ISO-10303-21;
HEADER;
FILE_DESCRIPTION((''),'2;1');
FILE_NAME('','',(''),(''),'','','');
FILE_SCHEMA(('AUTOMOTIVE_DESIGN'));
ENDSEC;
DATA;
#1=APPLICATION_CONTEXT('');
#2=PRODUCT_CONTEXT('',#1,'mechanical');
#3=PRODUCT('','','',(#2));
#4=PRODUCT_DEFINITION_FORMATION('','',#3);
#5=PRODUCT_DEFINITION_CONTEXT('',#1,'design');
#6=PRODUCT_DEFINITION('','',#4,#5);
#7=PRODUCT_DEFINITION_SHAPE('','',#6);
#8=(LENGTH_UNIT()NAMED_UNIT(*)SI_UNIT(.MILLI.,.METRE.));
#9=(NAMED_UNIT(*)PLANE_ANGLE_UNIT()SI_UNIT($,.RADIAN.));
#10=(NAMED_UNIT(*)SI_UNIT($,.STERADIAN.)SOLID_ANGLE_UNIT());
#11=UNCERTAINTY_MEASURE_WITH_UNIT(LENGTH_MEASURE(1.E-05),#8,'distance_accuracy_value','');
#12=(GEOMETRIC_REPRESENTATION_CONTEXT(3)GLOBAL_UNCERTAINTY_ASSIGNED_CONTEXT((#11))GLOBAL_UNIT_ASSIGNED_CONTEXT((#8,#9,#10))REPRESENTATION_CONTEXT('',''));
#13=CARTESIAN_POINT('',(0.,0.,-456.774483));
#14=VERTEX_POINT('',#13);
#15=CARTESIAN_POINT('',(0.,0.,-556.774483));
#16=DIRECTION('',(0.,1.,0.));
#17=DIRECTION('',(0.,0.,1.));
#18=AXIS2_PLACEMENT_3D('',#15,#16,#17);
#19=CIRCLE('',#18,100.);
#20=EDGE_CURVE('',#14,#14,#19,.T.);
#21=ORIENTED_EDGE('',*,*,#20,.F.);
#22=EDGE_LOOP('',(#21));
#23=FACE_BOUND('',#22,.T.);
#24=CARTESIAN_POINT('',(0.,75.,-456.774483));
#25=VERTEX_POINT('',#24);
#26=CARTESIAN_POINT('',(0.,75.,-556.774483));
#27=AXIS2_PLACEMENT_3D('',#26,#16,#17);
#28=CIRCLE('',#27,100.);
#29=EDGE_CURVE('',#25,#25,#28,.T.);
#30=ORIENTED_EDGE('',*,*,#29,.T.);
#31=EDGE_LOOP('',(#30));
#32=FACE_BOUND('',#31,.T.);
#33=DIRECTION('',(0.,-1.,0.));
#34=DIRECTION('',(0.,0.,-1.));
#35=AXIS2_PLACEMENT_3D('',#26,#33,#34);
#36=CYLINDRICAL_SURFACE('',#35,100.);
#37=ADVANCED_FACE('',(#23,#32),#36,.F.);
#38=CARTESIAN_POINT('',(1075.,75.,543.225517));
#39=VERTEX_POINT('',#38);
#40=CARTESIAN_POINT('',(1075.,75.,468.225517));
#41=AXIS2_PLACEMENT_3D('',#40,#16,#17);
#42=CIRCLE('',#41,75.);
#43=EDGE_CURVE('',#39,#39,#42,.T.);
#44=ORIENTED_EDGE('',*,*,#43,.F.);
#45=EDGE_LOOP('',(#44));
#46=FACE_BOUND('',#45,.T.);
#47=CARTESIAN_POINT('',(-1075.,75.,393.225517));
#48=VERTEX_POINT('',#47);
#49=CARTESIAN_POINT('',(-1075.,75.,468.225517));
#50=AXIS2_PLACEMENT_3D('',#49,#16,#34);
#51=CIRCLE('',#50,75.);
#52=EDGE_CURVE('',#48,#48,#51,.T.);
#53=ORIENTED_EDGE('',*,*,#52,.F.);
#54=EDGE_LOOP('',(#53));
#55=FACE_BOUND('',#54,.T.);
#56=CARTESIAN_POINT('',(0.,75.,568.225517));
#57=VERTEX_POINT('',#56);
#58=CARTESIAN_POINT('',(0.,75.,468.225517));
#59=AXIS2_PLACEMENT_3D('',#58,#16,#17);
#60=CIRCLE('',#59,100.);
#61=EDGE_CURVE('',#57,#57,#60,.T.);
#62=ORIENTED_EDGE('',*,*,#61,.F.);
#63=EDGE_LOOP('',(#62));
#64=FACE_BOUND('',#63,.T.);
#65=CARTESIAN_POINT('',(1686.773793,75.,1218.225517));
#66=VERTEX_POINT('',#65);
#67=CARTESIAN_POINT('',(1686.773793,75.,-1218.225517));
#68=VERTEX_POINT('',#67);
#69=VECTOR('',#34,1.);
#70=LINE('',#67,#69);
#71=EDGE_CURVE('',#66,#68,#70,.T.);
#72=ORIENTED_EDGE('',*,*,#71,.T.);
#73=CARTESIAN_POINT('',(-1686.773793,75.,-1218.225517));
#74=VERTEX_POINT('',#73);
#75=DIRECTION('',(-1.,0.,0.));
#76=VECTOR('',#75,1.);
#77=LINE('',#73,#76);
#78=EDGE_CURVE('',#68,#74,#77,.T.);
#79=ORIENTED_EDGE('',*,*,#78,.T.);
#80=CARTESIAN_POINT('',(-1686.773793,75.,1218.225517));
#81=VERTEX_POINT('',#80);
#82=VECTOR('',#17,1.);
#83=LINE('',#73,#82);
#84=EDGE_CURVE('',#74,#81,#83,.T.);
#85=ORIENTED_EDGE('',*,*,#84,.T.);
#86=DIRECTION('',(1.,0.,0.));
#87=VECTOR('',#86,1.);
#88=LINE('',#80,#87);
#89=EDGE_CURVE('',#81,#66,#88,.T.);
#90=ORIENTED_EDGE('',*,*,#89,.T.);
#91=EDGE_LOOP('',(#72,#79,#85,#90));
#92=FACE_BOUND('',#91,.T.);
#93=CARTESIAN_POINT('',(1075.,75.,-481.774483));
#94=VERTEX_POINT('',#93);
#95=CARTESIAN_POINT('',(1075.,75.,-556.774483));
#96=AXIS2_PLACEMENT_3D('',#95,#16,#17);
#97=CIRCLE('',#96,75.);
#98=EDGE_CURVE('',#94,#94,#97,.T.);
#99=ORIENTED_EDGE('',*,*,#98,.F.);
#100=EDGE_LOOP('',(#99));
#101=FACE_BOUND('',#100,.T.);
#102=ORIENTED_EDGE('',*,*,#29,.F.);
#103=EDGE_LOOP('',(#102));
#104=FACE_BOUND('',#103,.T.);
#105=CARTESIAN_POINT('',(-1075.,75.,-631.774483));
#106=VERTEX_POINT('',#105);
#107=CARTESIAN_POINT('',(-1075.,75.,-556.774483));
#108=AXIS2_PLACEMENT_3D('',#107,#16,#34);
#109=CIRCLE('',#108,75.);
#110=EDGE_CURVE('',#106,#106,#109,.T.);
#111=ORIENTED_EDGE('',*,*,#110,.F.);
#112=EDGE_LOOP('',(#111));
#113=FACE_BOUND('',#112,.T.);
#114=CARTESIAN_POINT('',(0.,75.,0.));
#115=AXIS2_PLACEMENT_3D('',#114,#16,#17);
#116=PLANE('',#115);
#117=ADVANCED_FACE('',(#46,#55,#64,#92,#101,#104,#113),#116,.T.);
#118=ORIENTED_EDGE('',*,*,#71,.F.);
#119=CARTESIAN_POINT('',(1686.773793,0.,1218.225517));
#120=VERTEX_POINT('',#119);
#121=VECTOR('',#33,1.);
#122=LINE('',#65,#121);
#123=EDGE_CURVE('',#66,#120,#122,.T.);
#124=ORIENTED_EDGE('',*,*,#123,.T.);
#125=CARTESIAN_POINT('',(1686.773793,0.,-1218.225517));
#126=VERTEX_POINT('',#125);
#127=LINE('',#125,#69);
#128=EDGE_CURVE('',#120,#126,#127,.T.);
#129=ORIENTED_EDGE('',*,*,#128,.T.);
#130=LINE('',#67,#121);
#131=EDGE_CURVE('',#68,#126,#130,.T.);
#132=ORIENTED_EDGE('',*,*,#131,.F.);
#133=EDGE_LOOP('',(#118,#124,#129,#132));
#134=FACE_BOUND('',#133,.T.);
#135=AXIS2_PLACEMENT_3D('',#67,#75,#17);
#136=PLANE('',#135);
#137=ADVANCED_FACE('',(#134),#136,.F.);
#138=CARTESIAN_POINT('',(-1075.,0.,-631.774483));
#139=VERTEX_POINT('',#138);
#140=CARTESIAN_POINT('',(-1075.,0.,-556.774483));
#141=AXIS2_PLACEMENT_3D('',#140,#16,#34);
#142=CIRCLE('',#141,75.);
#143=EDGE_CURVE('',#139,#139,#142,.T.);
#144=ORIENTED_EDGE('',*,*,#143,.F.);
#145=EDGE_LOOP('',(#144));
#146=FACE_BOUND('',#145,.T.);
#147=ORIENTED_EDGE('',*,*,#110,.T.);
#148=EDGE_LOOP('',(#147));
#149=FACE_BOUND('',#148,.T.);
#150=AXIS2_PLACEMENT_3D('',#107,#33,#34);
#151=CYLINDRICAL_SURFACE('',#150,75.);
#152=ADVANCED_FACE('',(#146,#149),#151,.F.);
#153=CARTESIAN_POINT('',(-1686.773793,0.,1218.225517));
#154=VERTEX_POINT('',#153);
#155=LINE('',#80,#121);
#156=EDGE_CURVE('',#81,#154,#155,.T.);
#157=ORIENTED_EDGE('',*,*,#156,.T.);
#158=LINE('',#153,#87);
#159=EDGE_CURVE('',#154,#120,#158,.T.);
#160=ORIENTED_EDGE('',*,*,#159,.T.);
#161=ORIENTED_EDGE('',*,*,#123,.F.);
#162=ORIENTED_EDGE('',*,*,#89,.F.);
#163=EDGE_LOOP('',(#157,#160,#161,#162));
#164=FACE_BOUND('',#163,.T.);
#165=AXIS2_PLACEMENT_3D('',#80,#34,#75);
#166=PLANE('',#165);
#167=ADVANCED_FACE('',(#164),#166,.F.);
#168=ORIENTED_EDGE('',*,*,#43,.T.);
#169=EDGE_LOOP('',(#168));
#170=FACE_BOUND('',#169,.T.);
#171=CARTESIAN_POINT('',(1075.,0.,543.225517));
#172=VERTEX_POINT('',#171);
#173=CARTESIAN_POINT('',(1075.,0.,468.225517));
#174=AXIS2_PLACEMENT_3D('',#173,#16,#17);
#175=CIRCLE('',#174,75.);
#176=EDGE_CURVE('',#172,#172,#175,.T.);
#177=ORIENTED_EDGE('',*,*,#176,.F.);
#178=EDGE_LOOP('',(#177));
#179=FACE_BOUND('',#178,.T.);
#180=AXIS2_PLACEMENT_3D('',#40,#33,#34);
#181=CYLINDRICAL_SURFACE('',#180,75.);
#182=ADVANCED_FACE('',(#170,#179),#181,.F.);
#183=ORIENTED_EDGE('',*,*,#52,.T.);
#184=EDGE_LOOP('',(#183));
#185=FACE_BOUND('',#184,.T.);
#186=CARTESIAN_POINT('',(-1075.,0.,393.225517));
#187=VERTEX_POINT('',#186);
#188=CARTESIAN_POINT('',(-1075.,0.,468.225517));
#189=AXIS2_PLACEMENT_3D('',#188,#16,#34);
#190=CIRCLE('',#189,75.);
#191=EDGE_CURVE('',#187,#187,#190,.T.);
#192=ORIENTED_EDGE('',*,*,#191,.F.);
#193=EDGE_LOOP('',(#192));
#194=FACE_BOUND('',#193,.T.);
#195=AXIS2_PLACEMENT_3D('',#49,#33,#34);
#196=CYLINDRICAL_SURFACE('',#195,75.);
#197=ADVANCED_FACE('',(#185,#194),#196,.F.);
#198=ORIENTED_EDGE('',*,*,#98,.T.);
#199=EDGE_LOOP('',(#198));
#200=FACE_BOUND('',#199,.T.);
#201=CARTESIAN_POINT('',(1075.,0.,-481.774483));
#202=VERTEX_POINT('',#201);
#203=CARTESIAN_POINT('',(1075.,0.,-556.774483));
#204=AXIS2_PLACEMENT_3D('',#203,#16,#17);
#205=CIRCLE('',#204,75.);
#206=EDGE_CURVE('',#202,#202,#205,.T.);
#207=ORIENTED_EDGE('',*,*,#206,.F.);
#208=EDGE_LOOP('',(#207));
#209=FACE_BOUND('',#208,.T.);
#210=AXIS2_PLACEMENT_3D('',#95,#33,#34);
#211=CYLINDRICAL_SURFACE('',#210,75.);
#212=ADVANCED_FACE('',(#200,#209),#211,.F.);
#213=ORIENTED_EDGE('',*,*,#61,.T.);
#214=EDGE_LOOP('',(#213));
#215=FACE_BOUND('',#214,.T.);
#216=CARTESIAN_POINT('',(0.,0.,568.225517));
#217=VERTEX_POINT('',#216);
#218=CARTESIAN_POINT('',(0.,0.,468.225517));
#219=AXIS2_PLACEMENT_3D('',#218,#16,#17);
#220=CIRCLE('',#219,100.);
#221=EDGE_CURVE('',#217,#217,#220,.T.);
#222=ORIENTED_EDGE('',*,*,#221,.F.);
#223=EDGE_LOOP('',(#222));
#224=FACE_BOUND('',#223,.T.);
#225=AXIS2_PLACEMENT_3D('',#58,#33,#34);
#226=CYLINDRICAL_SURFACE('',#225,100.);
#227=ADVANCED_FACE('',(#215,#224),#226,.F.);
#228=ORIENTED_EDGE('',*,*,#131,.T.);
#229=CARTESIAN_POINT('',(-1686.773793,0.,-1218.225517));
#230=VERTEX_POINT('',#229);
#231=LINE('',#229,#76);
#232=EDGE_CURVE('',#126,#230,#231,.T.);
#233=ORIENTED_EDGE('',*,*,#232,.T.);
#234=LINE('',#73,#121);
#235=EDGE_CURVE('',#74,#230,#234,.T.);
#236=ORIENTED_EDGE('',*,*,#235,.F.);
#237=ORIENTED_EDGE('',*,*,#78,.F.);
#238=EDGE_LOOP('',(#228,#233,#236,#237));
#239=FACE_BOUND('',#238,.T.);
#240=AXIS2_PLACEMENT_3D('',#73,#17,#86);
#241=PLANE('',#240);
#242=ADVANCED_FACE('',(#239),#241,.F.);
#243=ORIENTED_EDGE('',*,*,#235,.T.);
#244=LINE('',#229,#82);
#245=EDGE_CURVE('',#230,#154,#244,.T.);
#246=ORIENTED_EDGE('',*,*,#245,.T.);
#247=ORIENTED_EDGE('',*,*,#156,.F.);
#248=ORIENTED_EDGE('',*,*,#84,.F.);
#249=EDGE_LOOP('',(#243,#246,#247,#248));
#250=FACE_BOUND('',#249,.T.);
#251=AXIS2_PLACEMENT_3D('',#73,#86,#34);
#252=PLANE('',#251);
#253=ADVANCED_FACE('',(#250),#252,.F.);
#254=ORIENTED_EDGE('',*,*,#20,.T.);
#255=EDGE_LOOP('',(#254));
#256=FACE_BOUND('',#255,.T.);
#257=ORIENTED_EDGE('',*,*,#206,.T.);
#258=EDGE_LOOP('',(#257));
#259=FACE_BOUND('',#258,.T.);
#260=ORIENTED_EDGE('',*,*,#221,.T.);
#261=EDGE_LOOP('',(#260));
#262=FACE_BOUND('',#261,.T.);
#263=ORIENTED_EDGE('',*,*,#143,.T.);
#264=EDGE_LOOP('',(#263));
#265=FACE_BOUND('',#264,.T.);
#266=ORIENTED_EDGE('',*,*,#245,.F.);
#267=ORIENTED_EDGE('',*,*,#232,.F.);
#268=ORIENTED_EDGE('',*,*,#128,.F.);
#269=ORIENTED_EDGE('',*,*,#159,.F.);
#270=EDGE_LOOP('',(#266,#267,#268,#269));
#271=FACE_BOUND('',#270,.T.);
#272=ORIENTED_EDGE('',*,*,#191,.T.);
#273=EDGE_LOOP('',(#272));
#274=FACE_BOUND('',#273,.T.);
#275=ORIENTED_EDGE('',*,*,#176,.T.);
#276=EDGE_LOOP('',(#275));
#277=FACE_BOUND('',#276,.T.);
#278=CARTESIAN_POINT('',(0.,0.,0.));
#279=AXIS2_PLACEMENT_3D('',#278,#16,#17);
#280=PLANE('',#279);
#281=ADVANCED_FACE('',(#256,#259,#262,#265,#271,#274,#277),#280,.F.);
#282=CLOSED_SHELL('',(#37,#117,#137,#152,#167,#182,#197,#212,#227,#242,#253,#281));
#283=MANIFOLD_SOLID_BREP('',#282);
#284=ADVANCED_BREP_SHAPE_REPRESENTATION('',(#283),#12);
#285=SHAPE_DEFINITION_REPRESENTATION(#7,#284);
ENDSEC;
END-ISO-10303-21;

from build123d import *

# Parameters (mm, degrees)
SKETCH1_W           = 3373.54758581
SKETCH1_H           = 2436.451034196
SKETCH1_R           = 75
SKETCH1_R_2         = 100
BOSS_EXTRUDE1_DEPTH = 75


with BuildPart() as part:
    # Sketch1 → Boss-Extrude1 (new body)
    with BuildSketch(Plane(origin=(0, 0, 0), x_dir=(1, 0, 0), z_dir=(0, 1, 0))):
        Rectangle(SKETCH1_W, SKETCH1_H)
        with Locations(Location((1075, -468.225517098, 0), (0, 0, 270))):
            Circle(SKETCH1_R, mode=Mode.SUBTRACT)
        with Locations(Location((1075, 556.774482902, 0), (0, 0, 270))):
            Circle(SKETCH1_R, mode=Mode.SUBTRACT)
        with Locations(Location((-1075, -468.225517098, 0), (0, 0, 90))):
            Circle(SKETCH1_R, mode=Mode.SUBTRACT)
        with Locations(Location((-1075, 556.774482902, 0), (0, 0, 90))):
            Circle(SKETCH1_R, mode=Mode.SUBTRACT)
        with Locations(Location((0, -468.225517098, 0), (0, 0, 270))):
            Circle(SKETCH1_R_2, mode=Mode.SUBTRACT)
        with Locations(Location((0, 556.774482902, 0), (0, 0, 270))):
            Circle(SKETCH1_R_2, mode=Mode.SUBTRACT)
    extrude(amount=BOSS_EXTRUDE1_DEPTH)


solid = part.part
